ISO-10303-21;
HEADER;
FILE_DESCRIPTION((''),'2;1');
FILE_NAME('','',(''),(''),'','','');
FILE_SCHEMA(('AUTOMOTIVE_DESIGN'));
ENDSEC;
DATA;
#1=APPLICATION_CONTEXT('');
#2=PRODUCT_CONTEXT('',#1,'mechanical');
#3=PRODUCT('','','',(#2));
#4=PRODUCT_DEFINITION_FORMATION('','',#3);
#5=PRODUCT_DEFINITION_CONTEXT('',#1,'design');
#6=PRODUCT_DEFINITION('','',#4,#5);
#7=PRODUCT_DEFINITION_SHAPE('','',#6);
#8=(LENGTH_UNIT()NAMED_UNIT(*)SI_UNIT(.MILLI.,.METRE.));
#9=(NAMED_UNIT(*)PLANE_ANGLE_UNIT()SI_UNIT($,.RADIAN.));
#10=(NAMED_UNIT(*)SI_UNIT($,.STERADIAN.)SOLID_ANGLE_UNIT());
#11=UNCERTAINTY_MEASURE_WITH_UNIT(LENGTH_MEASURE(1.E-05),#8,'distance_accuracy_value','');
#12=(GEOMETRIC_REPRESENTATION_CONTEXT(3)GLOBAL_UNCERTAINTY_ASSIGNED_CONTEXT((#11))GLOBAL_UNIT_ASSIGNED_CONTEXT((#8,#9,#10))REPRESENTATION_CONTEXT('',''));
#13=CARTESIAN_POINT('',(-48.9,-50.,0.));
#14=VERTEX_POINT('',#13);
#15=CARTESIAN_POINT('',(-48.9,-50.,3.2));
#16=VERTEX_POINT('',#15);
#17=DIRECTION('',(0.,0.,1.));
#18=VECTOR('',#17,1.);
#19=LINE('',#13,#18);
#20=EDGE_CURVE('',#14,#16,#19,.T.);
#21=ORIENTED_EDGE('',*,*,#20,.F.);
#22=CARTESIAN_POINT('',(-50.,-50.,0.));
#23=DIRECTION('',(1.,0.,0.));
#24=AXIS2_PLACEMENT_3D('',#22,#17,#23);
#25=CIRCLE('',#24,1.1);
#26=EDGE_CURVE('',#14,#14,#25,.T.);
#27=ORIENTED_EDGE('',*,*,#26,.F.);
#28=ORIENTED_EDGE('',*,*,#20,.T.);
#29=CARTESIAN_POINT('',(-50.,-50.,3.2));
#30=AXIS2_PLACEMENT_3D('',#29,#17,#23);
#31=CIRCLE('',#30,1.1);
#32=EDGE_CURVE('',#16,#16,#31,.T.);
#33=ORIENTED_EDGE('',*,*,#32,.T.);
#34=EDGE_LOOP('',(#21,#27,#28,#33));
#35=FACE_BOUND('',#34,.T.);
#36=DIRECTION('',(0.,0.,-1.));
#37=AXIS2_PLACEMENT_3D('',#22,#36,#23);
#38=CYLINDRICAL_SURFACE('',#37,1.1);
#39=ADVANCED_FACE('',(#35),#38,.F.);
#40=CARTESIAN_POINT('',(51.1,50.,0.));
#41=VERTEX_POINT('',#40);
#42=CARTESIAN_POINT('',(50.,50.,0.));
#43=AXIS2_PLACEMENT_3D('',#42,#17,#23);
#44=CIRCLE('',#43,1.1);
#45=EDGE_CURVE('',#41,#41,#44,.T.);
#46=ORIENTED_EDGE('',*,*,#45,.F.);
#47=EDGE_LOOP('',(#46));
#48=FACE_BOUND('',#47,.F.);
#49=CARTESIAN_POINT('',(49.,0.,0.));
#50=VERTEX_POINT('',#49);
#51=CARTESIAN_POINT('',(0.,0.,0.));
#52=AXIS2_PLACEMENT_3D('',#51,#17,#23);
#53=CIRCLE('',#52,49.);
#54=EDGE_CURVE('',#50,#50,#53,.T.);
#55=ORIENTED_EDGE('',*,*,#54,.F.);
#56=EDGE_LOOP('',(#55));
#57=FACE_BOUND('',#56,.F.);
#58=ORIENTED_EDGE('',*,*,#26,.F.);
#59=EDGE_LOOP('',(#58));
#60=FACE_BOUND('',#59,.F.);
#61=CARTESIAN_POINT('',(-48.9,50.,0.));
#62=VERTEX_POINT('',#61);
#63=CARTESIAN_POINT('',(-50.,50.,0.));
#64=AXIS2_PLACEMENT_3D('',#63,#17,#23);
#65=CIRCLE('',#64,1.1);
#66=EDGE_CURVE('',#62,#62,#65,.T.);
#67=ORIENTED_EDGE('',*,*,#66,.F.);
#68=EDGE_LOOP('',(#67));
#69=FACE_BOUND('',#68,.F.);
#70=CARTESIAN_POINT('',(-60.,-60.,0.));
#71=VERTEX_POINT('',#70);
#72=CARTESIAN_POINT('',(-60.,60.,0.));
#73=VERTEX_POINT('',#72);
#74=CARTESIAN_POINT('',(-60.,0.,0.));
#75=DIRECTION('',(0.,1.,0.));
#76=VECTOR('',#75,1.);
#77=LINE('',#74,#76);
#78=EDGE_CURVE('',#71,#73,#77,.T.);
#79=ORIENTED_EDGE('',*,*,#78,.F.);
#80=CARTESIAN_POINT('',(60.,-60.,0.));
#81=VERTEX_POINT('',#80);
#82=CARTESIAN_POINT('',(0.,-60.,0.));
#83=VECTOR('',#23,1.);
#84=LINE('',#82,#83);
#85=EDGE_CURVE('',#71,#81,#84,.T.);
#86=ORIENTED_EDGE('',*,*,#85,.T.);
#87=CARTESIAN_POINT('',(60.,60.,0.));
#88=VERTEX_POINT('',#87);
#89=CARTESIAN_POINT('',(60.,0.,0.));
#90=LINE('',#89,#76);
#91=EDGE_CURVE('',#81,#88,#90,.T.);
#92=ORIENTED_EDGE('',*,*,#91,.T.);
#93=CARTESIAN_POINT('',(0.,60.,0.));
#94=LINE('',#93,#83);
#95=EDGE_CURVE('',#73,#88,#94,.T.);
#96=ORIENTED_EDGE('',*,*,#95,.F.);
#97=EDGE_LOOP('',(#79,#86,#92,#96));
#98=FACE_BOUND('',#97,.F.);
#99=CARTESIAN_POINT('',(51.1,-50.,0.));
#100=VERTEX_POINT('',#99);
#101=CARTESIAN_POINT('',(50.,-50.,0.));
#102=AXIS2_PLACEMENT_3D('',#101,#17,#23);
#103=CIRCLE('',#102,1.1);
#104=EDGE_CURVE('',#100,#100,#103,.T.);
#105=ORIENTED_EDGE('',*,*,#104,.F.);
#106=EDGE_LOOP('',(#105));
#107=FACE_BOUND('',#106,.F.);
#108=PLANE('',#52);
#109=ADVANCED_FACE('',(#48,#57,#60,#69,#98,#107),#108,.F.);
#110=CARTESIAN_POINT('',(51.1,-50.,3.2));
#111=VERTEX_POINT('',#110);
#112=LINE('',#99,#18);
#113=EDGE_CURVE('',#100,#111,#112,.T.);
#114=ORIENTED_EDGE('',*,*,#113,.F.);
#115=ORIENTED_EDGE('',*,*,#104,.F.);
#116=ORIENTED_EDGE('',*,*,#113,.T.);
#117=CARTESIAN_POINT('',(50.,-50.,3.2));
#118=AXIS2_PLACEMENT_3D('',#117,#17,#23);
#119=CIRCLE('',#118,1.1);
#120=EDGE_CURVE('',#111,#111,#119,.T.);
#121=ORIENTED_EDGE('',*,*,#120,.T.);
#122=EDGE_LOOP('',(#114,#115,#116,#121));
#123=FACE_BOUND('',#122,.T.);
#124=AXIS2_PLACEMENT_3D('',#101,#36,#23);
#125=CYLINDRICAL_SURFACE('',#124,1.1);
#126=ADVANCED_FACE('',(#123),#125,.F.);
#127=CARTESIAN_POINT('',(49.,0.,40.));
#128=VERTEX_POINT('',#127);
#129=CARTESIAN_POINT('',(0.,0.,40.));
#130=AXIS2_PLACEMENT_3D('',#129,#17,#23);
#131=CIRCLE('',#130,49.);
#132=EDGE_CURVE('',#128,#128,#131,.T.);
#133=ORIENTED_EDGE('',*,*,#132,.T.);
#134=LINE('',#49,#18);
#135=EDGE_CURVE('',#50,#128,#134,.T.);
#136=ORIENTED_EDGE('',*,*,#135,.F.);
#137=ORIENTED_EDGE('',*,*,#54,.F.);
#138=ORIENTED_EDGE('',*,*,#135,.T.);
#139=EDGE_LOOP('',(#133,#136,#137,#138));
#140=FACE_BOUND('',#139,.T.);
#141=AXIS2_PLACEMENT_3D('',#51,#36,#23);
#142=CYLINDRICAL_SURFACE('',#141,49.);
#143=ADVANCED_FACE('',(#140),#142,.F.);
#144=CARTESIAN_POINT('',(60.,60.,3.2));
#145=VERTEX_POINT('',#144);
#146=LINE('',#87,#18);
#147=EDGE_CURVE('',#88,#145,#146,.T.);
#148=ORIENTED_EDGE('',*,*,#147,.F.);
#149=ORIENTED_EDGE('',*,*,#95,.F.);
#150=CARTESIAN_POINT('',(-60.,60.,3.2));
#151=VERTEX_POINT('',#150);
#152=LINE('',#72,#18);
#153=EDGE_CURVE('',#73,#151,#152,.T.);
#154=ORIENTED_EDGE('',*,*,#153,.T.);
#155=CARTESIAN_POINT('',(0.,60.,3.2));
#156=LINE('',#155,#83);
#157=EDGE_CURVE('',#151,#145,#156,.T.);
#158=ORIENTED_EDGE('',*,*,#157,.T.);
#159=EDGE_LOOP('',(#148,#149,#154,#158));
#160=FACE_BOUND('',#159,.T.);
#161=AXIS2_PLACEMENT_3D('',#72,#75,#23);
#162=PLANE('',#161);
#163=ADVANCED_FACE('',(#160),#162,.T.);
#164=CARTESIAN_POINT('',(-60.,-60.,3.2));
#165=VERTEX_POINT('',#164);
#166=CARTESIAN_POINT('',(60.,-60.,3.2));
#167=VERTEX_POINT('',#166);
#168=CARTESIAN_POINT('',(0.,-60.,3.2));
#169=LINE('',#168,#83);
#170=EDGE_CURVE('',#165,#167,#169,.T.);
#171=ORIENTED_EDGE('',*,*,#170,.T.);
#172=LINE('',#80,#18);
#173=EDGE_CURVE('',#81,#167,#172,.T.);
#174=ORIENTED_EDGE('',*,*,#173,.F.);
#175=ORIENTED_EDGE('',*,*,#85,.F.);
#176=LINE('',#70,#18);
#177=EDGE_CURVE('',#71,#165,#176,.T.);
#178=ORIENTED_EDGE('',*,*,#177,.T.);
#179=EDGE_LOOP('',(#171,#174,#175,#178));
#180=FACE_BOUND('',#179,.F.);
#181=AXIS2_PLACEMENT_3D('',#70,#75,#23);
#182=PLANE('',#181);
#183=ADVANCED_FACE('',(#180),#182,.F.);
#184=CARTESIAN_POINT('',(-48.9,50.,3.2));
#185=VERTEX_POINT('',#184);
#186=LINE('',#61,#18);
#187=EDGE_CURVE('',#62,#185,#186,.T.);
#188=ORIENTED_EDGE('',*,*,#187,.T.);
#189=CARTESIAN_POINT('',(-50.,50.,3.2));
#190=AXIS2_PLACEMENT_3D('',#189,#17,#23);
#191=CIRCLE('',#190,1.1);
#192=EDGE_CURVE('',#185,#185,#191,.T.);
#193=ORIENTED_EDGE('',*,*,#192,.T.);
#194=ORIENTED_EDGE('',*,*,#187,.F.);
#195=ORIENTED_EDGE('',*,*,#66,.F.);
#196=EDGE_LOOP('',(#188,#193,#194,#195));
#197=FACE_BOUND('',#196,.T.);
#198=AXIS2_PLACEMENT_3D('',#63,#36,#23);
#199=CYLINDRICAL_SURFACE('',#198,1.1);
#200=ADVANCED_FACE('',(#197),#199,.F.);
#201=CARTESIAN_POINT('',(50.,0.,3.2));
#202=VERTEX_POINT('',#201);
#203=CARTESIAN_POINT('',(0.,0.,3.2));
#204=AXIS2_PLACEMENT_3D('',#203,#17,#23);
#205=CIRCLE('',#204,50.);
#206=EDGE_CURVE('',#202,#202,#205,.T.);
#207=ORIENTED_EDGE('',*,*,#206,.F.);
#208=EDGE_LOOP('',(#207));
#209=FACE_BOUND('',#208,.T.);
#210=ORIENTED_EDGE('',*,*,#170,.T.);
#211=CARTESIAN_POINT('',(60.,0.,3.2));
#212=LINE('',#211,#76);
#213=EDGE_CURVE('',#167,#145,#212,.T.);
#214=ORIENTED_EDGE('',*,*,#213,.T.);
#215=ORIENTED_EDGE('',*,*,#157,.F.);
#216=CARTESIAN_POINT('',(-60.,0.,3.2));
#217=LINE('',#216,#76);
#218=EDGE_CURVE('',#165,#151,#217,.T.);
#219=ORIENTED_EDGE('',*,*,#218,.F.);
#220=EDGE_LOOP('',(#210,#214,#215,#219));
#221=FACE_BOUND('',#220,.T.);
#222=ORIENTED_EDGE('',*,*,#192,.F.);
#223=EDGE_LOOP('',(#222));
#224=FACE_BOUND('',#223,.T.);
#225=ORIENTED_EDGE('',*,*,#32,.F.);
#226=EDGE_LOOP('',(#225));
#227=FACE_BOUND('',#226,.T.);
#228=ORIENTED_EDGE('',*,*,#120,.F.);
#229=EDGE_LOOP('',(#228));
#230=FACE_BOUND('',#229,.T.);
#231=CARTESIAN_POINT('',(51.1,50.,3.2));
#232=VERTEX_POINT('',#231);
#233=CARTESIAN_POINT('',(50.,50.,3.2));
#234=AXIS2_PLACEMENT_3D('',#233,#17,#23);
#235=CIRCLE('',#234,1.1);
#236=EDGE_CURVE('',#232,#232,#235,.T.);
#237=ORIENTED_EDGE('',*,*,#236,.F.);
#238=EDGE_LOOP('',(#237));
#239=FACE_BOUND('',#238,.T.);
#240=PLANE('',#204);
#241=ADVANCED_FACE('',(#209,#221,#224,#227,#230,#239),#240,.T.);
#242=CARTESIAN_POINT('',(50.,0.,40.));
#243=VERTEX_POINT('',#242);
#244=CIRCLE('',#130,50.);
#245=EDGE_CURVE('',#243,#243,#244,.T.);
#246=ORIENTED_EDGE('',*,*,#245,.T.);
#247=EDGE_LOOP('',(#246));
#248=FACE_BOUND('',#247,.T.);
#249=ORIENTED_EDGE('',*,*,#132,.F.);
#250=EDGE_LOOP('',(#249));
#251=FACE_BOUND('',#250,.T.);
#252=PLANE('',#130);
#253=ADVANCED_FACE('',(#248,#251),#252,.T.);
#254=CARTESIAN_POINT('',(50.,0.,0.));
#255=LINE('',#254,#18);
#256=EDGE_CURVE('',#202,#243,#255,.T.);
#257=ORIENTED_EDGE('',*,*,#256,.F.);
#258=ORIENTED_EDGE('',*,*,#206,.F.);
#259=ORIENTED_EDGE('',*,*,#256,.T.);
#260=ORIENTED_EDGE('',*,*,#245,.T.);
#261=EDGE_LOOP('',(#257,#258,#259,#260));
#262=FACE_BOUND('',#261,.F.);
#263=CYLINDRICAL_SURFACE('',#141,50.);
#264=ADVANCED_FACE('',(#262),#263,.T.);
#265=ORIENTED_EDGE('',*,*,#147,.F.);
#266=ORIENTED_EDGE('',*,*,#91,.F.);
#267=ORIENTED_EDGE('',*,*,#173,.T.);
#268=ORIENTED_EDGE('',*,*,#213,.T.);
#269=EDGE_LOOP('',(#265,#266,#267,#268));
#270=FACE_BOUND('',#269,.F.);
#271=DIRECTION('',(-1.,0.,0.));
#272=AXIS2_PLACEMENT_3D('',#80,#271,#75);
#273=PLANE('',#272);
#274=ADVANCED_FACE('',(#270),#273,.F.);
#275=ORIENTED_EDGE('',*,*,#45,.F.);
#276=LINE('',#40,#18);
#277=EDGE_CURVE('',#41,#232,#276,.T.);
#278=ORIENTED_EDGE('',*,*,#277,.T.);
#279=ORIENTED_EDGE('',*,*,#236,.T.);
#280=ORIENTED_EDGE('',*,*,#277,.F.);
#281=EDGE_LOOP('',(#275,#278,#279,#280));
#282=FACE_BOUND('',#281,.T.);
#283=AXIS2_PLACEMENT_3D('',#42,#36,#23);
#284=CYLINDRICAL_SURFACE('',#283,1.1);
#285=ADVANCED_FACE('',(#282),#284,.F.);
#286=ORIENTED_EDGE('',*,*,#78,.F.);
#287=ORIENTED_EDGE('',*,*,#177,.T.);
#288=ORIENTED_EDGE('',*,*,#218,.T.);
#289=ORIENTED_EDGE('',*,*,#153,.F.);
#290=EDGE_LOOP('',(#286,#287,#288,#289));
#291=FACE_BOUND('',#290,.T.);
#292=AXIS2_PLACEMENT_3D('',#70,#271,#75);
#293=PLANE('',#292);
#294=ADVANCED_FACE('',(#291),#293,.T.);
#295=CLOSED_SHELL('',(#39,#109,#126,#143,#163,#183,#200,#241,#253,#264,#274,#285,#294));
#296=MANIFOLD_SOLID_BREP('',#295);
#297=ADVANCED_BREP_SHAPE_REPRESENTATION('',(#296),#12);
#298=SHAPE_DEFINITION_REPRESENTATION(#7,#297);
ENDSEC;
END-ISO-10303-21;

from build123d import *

# Parameters (mm, degrees)
F0_W     = 120
F0_H     = 120
F0_R     = 1.1
F0_R_2   = 50
F1_DEPTH = 3.2
F0_R_3   = 49
F2_DEPTH = 40


with BuildPart() as f1:
    # F0 (on Top) → F1 (new body)
    with BuildSketch(Plane.XY):
        Rectangle(F0_W, F0_H)
        with Locations((-50, -50)):
            Circle(F0_R, mode=Mode.SUBTRACT)
        with Locations((50, -50)):
            Circle(F0_R, mode=Mode.SUBTRACT)
        with Locations((-50, 50)):
            Circle(F0_R, mode=Mode.SUBTRACT)
        Circle(F0_R_2, mode=Mode.SUBTRACT)
        with Locations((50, 50)):
            Circle(F0_R, mode=Mode.SUBTRACT)
    extrude(amount=F1_DEPTH)

    # F0 (on Top) → F2 (join)
    with BuildSketch(Plane.XY):
        Circle(F0_R_2)
        Circle(F0_R_3, mode=Mode.SUBTRACT)
    extrude(amount=F2_DEPTH)


solid = f1.part
